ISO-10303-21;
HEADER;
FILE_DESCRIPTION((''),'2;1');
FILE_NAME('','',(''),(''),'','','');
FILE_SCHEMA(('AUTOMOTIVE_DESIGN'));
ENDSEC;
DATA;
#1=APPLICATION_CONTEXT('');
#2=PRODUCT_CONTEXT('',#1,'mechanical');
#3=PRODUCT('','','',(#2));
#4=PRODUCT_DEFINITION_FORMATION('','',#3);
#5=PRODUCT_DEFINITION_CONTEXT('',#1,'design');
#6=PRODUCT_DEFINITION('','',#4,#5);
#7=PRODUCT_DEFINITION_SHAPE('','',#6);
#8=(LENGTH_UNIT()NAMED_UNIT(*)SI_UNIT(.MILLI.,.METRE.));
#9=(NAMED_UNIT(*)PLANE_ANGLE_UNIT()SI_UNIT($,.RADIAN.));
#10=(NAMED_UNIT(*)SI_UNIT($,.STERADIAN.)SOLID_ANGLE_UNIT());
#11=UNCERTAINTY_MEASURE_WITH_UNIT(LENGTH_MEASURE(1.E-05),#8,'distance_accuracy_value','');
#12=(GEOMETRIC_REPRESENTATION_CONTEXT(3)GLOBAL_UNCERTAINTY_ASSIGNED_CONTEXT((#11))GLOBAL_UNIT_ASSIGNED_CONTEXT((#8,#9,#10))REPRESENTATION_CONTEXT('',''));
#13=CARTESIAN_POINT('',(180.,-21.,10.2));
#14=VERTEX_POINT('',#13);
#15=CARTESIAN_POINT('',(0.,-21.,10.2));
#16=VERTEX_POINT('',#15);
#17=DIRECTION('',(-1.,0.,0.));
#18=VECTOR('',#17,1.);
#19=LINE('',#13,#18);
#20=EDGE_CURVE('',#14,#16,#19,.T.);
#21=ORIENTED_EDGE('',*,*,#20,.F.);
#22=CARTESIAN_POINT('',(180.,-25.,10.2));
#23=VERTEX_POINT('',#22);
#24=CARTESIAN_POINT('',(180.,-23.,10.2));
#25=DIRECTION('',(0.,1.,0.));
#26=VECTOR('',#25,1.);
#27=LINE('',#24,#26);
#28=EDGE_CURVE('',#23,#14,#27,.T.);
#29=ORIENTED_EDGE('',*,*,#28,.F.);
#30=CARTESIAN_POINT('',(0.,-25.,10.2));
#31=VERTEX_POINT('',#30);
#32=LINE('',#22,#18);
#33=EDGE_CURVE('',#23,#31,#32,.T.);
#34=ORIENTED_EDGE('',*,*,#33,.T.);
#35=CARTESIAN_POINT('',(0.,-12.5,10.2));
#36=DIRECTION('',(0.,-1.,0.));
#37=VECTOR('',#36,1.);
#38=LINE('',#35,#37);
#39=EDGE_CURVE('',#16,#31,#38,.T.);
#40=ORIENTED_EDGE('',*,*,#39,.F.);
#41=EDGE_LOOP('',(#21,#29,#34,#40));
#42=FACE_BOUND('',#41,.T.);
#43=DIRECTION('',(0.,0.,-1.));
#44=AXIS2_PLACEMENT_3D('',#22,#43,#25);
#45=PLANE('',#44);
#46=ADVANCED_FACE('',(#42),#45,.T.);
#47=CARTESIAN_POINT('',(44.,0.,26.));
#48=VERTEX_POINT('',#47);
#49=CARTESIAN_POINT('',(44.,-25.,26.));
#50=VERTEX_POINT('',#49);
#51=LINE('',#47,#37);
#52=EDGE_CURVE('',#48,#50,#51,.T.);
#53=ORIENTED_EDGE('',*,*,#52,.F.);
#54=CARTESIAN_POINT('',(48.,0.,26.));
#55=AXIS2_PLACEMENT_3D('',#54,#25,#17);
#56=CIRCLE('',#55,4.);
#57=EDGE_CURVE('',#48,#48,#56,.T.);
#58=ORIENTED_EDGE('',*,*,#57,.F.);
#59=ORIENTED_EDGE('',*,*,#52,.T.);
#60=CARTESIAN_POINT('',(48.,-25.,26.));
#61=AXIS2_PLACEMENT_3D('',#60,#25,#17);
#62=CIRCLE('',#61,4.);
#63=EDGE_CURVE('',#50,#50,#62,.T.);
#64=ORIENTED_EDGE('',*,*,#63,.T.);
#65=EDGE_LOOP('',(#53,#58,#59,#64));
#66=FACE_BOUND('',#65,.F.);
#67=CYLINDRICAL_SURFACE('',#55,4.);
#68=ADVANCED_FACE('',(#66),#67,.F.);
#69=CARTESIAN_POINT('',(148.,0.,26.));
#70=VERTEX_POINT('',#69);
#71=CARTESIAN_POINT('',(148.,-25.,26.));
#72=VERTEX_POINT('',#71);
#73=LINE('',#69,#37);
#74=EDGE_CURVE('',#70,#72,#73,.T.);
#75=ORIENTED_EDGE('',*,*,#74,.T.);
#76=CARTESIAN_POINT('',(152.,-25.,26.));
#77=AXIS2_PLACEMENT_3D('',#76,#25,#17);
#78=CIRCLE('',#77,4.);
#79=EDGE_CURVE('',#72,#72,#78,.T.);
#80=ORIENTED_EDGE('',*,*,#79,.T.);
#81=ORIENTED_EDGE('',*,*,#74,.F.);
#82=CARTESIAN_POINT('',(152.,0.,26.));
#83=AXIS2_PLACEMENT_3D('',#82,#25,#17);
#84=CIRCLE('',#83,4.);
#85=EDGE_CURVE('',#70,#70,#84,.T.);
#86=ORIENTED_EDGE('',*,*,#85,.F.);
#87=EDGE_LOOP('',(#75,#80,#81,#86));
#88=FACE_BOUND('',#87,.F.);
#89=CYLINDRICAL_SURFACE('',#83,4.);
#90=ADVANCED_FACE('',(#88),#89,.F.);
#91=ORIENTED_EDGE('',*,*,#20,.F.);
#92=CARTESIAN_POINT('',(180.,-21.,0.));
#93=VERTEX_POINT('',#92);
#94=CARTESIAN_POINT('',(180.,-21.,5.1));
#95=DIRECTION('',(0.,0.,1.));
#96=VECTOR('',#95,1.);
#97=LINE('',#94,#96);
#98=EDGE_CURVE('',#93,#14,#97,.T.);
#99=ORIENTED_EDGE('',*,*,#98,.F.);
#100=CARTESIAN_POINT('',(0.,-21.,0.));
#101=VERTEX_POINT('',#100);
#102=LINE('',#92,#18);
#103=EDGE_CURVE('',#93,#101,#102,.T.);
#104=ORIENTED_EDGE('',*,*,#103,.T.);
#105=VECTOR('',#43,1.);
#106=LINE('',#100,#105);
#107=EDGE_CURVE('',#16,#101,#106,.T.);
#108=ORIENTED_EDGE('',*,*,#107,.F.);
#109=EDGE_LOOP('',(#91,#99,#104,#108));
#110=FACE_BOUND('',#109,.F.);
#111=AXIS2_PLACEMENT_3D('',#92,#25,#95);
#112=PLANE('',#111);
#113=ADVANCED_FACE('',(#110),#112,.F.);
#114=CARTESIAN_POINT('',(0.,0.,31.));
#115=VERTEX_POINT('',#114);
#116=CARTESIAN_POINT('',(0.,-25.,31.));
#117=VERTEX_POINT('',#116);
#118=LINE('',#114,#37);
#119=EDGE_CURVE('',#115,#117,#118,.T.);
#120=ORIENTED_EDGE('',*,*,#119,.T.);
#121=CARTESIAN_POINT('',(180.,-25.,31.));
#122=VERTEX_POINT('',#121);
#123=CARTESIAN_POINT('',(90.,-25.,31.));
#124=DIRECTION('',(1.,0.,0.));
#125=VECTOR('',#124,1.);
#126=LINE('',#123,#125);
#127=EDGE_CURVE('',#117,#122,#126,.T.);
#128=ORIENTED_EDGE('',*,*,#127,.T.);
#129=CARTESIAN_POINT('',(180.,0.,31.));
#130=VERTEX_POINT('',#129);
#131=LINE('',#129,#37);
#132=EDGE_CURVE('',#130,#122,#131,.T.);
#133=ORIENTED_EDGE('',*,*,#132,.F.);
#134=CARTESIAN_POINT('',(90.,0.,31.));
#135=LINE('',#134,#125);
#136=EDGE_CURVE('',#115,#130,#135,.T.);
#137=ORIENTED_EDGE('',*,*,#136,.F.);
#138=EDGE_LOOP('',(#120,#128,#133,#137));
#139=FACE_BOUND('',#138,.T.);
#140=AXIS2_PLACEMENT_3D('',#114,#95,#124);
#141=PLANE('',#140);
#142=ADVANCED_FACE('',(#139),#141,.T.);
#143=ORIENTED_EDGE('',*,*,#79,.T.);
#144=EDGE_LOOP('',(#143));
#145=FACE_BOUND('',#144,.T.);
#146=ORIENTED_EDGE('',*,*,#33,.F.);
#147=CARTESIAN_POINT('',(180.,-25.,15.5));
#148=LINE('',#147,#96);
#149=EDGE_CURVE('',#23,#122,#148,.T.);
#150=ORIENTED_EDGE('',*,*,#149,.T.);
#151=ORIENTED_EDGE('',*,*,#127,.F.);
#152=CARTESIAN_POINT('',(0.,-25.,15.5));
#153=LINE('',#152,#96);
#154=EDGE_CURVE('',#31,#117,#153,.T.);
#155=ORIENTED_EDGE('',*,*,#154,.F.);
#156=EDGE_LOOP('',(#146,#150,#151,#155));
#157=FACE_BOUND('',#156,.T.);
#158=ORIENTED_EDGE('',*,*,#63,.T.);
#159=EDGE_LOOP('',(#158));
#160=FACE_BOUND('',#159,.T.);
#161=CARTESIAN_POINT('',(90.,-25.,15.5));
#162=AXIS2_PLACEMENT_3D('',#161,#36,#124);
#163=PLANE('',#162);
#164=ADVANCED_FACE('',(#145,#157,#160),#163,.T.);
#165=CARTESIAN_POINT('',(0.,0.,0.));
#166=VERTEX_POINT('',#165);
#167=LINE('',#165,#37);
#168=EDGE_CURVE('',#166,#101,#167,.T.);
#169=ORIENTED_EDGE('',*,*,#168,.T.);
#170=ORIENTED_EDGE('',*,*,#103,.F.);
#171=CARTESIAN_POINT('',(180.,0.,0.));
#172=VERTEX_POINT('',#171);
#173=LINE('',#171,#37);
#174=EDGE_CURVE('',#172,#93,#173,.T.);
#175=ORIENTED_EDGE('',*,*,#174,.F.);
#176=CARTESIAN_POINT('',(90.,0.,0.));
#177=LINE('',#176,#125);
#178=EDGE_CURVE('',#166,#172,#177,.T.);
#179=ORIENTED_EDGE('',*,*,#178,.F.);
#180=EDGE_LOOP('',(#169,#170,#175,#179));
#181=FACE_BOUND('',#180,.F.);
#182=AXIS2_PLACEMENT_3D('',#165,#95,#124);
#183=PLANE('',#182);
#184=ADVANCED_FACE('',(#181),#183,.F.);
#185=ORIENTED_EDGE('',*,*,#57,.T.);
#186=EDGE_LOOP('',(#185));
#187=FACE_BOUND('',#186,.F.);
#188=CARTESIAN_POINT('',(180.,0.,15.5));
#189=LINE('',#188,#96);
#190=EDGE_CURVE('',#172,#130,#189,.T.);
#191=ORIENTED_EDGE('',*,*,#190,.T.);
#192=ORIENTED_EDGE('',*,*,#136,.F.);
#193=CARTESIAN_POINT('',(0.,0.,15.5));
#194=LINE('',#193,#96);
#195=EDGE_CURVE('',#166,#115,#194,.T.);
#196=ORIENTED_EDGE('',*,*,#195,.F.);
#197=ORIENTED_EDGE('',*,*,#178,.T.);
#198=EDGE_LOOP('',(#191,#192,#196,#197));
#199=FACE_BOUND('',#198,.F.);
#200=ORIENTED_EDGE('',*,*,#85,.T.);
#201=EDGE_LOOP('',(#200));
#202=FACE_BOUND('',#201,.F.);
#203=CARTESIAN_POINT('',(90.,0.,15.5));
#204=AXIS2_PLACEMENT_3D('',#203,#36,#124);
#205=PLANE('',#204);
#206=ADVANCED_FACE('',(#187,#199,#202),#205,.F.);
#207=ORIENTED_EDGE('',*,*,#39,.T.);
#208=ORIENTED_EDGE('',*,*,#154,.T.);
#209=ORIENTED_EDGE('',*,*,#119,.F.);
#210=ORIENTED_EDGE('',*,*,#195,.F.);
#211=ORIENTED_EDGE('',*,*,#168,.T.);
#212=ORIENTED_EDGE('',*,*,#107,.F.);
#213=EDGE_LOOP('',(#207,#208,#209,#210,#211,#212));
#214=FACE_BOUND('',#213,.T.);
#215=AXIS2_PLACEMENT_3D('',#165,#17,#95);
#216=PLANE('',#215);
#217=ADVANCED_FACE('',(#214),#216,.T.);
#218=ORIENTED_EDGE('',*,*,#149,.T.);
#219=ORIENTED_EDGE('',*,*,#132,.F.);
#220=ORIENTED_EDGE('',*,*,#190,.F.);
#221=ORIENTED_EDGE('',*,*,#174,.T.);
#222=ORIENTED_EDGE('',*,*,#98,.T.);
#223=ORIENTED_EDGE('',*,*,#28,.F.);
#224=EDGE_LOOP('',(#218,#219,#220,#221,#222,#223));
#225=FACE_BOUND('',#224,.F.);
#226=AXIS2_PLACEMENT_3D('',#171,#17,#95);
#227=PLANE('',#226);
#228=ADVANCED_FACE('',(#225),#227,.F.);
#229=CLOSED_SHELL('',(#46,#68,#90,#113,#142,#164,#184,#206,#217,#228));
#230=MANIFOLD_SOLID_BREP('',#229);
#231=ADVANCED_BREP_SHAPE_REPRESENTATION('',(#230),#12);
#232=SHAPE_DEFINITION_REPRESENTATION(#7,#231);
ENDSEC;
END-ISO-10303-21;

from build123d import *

# Parameters (mm, degrees)
F0_W     = 180
F0_H     = 31
F1_DEPTH = 25
F2_R     = 4
F3_DEPTH = 25.001
F4_W     = 4
F4_H     = 10.2
F5_DEPTH = 180.001


with BuildPart() as f1:
    # F0 (on Front) → F1 (new body)
    with BuildSketch(Plane.XZ):
        with Locations((90, 15.5)):
            Rectangle(F0_W, F0_H)
    extrude(amount=F1_DEPTH)

    # F2 (on face) → F3 (cut, through all)
    with BuildSketch(Plane(origin=(0, 0, 0), x_dir=(-1, 0, 0), z_dir=(0, 1, 0))):
        with Locations((-152, 26)):
            Circle(F2_R)
        with Locations((-48, 26)):
            Circle(F2_R)
    extrude(amount=-F3_DEPTH, mode=Mode.SUBTRACT)

    # F4 (on face) → F5 (cut, through all)
    with BuildSketch(Plane.YZ.offset(180)):
        with Locations((-23, 5.1)):
            Rectangle(F4_W, F4_H)
    extrude(amount=-F5_DEPTH, mode=Mode.SUBTRACT)


solid = f1.part
